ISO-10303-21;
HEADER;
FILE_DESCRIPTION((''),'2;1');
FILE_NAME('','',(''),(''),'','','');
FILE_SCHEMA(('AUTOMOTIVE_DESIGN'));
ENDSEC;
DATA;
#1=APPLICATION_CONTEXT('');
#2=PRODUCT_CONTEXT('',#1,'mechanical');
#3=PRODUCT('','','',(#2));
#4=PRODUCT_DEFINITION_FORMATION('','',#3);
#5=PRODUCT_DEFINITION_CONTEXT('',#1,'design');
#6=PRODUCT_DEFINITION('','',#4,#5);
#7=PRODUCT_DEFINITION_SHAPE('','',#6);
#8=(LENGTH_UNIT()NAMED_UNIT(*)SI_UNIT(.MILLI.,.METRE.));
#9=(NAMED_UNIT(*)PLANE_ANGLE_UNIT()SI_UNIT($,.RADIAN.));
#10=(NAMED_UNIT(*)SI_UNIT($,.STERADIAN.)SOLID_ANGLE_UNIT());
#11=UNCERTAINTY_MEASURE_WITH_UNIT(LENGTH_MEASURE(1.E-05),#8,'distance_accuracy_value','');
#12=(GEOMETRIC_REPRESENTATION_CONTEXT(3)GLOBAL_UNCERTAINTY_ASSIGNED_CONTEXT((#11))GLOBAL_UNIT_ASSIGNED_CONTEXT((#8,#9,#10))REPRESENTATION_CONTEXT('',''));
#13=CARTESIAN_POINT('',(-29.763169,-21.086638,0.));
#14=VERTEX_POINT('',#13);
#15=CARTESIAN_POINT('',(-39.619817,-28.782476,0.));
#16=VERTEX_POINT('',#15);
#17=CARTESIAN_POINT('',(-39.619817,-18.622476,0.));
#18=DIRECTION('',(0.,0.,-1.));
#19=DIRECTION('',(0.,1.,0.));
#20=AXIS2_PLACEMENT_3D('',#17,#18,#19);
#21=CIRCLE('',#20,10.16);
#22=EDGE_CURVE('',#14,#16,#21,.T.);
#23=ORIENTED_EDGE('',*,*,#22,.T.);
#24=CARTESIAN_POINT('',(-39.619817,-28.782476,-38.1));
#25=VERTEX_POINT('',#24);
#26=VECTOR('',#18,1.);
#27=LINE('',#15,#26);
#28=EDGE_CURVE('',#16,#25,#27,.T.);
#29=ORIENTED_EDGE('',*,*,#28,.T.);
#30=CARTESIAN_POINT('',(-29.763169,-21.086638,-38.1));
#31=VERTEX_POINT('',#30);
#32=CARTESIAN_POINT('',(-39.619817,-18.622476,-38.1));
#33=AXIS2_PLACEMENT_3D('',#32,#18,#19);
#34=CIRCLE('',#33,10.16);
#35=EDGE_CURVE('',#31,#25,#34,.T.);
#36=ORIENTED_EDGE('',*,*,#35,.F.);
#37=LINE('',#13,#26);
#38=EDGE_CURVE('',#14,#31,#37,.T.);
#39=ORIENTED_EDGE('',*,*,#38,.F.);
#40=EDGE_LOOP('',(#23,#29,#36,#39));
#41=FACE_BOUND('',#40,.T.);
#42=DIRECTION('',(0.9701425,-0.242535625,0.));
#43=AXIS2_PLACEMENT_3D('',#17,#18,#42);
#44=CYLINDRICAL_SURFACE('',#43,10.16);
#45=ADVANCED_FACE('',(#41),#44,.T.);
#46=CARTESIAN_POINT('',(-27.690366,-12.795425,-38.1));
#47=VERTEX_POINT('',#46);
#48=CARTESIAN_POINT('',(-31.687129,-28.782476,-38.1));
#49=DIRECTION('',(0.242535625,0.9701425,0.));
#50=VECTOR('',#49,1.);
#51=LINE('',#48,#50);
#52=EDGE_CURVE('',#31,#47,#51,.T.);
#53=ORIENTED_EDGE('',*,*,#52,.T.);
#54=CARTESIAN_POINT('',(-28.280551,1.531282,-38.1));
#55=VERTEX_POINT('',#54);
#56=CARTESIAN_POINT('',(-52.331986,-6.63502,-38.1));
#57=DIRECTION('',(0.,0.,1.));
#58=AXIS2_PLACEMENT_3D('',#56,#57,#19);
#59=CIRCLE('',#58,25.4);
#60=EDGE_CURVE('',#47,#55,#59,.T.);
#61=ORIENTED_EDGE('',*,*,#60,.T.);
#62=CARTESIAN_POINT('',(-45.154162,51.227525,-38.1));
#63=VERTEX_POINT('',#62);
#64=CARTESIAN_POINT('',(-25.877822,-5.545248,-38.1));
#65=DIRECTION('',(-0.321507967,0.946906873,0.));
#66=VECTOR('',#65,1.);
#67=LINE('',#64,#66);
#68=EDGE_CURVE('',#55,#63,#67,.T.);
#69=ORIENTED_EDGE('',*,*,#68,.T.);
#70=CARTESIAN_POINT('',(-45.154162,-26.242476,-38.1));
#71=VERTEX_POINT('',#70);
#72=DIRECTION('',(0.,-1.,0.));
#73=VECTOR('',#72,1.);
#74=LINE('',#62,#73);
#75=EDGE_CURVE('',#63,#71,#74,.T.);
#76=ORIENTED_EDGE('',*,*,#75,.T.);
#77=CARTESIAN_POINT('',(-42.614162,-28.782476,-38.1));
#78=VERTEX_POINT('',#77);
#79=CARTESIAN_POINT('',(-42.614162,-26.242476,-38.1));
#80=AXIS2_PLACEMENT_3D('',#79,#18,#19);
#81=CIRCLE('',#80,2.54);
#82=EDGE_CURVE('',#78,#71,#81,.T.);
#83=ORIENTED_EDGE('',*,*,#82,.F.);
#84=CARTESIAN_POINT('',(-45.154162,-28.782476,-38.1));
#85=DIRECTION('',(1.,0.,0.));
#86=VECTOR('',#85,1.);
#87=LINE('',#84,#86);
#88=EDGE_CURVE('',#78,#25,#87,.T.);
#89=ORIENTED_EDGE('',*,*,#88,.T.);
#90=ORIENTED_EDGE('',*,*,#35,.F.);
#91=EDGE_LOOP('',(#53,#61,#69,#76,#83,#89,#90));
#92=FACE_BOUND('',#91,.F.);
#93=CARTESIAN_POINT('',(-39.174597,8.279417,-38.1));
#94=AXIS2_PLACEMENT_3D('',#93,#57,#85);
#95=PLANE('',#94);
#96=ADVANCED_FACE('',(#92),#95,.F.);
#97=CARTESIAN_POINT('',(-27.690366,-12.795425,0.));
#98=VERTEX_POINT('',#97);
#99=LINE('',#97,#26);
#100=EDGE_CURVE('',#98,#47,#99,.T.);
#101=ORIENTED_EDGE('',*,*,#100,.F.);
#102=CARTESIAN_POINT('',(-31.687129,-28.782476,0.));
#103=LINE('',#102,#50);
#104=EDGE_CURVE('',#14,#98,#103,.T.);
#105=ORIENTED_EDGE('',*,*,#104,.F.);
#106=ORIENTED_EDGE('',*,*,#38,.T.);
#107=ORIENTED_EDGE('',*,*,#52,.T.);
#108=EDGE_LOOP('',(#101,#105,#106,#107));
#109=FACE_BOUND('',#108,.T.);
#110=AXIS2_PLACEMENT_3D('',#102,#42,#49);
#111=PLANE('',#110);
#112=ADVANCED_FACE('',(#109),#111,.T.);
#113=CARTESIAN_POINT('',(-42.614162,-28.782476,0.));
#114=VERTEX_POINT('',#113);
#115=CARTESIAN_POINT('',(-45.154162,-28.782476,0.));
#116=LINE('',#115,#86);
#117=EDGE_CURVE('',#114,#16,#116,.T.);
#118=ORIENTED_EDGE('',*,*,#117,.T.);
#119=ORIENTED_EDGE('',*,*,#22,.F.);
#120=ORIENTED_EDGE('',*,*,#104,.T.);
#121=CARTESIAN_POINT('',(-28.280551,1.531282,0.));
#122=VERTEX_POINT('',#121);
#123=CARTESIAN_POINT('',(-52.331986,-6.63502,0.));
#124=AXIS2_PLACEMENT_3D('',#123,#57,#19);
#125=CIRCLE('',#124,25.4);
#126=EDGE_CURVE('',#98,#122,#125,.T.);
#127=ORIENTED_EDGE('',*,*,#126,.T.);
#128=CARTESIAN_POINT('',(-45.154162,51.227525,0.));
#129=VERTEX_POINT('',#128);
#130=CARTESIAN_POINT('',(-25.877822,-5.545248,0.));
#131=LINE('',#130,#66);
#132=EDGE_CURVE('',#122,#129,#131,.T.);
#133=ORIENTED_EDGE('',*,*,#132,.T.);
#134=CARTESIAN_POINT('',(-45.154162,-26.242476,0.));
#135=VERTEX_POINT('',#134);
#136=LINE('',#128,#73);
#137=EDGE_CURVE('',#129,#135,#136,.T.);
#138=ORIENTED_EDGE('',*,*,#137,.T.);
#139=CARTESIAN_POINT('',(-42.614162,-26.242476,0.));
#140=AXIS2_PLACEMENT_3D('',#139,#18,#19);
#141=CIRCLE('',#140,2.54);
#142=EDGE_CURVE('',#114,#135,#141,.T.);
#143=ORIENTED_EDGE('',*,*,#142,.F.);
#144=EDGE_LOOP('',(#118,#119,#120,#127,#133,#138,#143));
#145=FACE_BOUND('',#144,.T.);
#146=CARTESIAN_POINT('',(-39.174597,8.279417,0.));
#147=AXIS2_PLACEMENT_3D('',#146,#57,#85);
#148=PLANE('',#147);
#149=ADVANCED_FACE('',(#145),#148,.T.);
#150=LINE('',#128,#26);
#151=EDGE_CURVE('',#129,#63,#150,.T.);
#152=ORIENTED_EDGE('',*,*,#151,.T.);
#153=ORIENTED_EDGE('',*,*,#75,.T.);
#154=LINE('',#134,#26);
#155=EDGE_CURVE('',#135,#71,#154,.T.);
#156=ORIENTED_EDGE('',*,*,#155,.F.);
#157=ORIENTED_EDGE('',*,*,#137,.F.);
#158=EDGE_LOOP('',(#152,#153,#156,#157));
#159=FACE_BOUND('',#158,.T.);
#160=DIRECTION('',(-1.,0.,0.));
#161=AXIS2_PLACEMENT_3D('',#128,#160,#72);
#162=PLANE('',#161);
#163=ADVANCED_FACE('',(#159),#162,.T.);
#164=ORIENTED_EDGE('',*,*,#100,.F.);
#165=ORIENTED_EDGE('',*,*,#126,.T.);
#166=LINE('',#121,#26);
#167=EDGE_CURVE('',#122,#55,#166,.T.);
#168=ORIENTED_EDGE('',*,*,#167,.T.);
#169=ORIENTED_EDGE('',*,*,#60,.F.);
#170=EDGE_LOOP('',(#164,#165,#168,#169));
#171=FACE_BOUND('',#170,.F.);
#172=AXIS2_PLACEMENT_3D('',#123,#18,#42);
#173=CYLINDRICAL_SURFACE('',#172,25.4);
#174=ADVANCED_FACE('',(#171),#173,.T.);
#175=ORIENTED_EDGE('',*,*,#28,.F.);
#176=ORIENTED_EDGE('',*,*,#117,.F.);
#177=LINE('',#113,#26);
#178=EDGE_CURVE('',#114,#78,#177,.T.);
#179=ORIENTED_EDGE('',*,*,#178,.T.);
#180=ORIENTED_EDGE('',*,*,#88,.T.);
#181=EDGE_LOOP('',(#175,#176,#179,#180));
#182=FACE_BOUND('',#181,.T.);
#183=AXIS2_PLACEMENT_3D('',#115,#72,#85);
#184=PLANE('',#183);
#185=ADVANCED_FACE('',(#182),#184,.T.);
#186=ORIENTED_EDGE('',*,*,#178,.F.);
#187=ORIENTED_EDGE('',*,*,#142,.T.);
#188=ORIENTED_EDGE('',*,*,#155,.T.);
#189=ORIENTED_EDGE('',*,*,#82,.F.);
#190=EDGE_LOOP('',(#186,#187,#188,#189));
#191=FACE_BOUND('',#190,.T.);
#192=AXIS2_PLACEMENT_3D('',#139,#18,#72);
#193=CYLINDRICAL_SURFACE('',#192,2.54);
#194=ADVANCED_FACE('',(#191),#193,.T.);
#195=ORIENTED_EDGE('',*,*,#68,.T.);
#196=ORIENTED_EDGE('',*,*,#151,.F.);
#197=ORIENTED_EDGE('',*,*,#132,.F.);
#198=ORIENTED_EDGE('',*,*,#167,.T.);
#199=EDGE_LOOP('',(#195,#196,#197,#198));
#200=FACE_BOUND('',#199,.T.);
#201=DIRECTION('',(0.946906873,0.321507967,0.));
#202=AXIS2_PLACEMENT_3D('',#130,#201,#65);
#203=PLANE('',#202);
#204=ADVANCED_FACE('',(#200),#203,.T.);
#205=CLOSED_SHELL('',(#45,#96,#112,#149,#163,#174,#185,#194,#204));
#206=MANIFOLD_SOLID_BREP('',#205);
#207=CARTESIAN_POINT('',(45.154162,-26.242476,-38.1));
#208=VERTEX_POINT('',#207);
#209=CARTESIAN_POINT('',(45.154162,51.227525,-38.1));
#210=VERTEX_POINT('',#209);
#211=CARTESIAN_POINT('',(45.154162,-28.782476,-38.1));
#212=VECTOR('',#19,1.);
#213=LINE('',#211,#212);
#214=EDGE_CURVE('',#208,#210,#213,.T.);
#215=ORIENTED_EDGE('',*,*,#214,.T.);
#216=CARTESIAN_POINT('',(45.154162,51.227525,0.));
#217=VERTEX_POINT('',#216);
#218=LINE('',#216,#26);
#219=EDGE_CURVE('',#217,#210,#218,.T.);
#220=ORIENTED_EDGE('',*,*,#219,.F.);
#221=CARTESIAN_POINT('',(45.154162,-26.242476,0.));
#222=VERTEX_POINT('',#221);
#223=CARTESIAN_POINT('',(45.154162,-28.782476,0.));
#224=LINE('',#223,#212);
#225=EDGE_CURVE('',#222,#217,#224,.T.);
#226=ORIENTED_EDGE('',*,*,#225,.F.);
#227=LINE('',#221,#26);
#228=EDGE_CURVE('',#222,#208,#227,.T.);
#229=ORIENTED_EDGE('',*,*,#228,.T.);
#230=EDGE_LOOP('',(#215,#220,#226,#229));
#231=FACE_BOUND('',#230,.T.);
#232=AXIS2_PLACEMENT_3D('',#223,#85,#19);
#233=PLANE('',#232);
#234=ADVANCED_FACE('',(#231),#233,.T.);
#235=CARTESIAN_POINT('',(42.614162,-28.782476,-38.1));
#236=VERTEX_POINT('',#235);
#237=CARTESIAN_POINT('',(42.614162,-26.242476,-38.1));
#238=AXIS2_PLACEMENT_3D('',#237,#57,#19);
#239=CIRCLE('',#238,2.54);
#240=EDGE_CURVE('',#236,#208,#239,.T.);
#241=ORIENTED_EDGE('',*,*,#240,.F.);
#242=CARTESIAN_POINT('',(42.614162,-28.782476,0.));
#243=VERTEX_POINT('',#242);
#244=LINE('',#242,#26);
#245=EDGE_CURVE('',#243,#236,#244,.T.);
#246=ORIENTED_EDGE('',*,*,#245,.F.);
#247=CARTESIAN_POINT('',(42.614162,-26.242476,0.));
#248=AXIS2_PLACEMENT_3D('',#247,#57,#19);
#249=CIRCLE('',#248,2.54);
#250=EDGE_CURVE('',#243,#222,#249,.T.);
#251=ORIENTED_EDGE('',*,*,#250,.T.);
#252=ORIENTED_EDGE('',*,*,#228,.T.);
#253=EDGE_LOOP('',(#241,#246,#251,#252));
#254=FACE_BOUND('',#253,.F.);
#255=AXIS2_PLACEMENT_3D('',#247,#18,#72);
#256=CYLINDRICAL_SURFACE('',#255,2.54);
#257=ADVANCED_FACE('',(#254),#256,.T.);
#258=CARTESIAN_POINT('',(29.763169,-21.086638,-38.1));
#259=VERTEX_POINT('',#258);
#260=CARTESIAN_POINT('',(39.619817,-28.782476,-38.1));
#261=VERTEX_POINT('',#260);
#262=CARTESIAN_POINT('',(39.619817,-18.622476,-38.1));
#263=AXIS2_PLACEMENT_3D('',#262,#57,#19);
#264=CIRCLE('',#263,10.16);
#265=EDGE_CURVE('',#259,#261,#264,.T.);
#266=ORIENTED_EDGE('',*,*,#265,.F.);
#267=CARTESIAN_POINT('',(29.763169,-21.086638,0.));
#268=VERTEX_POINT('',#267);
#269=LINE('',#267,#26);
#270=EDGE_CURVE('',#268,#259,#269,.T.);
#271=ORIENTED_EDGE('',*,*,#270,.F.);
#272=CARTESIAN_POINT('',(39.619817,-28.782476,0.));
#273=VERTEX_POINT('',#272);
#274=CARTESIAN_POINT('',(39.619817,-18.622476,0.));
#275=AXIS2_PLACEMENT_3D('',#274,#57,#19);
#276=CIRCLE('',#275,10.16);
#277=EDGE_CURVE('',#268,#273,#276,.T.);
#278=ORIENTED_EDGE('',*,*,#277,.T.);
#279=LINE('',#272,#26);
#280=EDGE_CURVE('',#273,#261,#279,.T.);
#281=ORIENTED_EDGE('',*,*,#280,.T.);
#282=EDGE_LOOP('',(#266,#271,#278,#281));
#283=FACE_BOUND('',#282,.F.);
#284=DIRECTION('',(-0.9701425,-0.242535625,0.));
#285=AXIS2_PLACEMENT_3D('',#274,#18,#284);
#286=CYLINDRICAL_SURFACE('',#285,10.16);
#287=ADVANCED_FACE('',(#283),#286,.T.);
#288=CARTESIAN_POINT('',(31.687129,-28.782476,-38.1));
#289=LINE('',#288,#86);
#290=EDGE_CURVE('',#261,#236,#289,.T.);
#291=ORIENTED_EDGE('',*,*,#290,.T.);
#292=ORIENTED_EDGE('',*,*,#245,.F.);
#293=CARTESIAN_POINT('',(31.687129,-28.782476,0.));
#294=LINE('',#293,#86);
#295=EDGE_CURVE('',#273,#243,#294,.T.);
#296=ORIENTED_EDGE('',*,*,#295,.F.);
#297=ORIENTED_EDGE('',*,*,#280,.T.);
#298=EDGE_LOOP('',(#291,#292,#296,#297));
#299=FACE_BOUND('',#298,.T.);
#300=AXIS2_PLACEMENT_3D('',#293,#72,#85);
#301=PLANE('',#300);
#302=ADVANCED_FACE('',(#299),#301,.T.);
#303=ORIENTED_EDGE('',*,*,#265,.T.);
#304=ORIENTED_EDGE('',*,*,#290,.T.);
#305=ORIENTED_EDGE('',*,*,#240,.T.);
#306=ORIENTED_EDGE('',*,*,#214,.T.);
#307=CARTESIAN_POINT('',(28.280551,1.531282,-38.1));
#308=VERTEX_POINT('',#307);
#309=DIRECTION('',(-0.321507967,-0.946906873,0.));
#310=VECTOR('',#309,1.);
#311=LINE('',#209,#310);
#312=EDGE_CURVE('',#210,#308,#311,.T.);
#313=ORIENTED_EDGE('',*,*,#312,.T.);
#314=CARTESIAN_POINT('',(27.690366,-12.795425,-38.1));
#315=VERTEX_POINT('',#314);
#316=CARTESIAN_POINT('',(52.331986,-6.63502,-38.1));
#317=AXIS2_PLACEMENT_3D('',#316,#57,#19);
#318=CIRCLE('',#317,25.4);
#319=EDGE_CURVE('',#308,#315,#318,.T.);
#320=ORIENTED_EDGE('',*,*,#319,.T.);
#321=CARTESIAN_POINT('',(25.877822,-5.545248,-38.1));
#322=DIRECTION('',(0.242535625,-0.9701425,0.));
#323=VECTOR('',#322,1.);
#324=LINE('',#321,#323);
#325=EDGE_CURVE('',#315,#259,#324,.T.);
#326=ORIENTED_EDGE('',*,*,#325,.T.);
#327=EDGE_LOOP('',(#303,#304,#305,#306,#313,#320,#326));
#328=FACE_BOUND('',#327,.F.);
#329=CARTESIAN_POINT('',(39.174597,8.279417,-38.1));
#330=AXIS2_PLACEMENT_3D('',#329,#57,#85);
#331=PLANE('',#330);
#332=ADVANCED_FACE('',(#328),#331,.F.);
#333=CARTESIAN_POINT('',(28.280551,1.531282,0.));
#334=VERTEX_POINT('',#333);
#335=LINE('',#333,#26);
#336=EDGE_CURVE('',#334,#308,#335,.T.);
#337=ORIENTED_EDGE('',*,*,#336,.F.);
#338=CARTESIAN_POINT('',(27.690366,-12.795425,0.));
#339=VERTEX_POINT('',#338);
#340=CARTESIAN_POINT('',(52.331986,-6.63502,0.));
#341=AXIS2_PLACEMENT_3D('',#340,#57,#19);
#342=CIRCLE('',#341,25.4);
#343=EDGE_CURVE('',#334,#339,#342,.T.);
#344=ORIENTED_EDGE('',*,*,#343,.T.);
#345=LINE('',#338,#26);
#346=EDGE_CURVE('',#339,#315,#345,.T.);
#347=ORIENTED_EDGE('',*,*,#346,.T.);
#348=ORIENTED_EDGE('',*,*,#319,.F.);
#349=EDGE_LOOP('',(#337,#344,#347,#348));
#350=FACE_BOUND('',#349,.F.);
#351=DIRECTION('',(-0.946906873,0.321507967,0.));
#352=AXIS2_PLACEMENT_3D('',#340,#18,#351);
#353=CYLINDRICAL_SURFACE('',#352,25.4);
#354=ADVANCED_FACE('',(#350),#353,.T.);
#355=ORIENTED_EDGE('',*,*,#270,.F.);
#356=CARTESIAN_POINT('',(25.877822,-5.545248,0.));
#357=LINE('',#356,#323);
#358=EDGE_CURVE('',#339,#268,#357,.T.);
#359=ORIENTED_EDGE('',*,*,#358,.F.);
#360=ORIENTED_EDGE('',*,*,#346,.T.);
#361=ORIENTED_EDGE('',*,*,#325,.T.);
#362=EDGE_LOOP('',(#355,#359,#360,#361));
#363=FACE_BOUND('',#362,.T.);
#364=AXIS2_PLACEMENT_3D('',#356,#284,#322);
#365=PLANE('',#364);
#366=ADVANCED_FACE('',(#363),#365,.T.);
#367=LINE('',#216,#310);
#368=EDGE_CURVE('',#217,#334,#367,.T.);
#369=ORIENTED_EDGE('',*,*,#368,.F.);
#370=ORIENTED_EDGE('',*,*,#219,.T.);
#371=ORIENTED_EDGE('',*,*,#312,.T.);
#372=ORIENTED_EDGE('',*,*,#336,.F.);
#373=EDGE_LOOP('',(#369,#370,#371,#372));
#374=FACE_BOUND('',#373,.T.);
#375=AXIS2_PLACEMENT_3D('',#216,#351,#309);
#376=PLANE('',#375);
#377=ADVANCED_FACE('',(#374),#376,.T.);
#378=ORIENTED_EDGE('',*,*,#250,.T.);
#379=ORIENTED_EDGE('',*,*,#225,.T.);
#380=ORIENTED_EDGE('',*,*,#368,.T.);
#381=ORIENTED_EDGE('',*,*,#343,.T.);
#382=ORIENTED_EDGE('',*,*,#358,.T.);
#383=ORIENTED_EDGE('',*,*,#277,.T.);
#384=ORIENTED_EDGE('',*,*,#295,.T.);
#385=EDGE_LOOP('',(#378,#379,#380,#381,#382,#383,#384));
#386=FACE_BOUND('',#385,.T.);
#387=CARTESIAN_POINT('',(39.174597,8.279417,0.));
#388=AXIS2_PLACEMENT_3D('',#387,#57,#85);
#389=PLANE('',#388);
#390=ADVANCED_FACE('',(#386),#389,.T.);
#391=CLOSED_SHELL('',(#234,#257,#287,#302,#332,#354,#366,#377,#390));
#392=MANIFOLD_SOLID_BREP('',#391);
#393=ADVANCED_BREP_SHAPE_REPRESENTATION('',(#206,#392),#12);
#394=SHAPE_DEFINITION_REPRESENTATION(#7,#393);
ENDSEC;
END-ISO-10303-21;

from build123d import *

# Parameters (mm, degrees)
F1_DEPTH = 38.1
F2_R     = 25.4
F3_R     = 10.16
F4_R     = 2.54
F5_R     = 25.4
F6_R     = 10.16
F7_R     = 2.54


with BuildPart() as f1:
    # F0 (on Top) → F1 (new body)
    with BuildSketch(Plane.XY):
        Polygon((-45.154162, 51.227525), (-45.154162, -28.782476), (-31.687129, -28.782476), (-25.877822, -5.545248), align=None)
        Polygon((45.154162, -28.782476), (45.154162, 51.227525), (25.877822, -5.545248), (31.687129, -28.782476), align=None)
    extrude(amount=-F1_DEPTH)

    # F2
    f2_edges = [f1.edges().sort_by_distance(p)[0] for p in [
        (25.877822, -5.545248, -19.05),
    ]]
    fillet(f2_edges, radius=F2_R)

    # F3
    f3_edges = [f1.edges().sort_by_distance(p)[0] for p in [
        (31.687129, -28.782476, -19.05),
    ]]
    fillet(f3_edges, radius=F3_R)

    # F4
    f4_edges = [f1.edges().sort_by_distance(p)[0] for p in [
        (45.154162, -28.782476, -19.05),
    ]]
    fillet(f4_edges, radius=F4_R)

    # F5
    f5_edges = [f1.edges().sort_by_distance(p)[0] for p in [
        (-25.877822, -5.545248, -19.05),
    ]]
    fillet(f5_edges, radius=F5_R)

    # F6
    f6_edges = [f1.edges().sort_by_distance(p)[0] for p in [
        (-31.687129, -28.782476, -19.05),
    ]]
    fillet(f6_edges, radius=F6_R)

    # F7
    f7_edges = [f1.edges().sort_by_distance(p)[0] for p in [
        (-45.154162, -28.782476, -19.05),
    ]]
    fillet(f7_edges, radius=F7_R)


solid = f1.part
